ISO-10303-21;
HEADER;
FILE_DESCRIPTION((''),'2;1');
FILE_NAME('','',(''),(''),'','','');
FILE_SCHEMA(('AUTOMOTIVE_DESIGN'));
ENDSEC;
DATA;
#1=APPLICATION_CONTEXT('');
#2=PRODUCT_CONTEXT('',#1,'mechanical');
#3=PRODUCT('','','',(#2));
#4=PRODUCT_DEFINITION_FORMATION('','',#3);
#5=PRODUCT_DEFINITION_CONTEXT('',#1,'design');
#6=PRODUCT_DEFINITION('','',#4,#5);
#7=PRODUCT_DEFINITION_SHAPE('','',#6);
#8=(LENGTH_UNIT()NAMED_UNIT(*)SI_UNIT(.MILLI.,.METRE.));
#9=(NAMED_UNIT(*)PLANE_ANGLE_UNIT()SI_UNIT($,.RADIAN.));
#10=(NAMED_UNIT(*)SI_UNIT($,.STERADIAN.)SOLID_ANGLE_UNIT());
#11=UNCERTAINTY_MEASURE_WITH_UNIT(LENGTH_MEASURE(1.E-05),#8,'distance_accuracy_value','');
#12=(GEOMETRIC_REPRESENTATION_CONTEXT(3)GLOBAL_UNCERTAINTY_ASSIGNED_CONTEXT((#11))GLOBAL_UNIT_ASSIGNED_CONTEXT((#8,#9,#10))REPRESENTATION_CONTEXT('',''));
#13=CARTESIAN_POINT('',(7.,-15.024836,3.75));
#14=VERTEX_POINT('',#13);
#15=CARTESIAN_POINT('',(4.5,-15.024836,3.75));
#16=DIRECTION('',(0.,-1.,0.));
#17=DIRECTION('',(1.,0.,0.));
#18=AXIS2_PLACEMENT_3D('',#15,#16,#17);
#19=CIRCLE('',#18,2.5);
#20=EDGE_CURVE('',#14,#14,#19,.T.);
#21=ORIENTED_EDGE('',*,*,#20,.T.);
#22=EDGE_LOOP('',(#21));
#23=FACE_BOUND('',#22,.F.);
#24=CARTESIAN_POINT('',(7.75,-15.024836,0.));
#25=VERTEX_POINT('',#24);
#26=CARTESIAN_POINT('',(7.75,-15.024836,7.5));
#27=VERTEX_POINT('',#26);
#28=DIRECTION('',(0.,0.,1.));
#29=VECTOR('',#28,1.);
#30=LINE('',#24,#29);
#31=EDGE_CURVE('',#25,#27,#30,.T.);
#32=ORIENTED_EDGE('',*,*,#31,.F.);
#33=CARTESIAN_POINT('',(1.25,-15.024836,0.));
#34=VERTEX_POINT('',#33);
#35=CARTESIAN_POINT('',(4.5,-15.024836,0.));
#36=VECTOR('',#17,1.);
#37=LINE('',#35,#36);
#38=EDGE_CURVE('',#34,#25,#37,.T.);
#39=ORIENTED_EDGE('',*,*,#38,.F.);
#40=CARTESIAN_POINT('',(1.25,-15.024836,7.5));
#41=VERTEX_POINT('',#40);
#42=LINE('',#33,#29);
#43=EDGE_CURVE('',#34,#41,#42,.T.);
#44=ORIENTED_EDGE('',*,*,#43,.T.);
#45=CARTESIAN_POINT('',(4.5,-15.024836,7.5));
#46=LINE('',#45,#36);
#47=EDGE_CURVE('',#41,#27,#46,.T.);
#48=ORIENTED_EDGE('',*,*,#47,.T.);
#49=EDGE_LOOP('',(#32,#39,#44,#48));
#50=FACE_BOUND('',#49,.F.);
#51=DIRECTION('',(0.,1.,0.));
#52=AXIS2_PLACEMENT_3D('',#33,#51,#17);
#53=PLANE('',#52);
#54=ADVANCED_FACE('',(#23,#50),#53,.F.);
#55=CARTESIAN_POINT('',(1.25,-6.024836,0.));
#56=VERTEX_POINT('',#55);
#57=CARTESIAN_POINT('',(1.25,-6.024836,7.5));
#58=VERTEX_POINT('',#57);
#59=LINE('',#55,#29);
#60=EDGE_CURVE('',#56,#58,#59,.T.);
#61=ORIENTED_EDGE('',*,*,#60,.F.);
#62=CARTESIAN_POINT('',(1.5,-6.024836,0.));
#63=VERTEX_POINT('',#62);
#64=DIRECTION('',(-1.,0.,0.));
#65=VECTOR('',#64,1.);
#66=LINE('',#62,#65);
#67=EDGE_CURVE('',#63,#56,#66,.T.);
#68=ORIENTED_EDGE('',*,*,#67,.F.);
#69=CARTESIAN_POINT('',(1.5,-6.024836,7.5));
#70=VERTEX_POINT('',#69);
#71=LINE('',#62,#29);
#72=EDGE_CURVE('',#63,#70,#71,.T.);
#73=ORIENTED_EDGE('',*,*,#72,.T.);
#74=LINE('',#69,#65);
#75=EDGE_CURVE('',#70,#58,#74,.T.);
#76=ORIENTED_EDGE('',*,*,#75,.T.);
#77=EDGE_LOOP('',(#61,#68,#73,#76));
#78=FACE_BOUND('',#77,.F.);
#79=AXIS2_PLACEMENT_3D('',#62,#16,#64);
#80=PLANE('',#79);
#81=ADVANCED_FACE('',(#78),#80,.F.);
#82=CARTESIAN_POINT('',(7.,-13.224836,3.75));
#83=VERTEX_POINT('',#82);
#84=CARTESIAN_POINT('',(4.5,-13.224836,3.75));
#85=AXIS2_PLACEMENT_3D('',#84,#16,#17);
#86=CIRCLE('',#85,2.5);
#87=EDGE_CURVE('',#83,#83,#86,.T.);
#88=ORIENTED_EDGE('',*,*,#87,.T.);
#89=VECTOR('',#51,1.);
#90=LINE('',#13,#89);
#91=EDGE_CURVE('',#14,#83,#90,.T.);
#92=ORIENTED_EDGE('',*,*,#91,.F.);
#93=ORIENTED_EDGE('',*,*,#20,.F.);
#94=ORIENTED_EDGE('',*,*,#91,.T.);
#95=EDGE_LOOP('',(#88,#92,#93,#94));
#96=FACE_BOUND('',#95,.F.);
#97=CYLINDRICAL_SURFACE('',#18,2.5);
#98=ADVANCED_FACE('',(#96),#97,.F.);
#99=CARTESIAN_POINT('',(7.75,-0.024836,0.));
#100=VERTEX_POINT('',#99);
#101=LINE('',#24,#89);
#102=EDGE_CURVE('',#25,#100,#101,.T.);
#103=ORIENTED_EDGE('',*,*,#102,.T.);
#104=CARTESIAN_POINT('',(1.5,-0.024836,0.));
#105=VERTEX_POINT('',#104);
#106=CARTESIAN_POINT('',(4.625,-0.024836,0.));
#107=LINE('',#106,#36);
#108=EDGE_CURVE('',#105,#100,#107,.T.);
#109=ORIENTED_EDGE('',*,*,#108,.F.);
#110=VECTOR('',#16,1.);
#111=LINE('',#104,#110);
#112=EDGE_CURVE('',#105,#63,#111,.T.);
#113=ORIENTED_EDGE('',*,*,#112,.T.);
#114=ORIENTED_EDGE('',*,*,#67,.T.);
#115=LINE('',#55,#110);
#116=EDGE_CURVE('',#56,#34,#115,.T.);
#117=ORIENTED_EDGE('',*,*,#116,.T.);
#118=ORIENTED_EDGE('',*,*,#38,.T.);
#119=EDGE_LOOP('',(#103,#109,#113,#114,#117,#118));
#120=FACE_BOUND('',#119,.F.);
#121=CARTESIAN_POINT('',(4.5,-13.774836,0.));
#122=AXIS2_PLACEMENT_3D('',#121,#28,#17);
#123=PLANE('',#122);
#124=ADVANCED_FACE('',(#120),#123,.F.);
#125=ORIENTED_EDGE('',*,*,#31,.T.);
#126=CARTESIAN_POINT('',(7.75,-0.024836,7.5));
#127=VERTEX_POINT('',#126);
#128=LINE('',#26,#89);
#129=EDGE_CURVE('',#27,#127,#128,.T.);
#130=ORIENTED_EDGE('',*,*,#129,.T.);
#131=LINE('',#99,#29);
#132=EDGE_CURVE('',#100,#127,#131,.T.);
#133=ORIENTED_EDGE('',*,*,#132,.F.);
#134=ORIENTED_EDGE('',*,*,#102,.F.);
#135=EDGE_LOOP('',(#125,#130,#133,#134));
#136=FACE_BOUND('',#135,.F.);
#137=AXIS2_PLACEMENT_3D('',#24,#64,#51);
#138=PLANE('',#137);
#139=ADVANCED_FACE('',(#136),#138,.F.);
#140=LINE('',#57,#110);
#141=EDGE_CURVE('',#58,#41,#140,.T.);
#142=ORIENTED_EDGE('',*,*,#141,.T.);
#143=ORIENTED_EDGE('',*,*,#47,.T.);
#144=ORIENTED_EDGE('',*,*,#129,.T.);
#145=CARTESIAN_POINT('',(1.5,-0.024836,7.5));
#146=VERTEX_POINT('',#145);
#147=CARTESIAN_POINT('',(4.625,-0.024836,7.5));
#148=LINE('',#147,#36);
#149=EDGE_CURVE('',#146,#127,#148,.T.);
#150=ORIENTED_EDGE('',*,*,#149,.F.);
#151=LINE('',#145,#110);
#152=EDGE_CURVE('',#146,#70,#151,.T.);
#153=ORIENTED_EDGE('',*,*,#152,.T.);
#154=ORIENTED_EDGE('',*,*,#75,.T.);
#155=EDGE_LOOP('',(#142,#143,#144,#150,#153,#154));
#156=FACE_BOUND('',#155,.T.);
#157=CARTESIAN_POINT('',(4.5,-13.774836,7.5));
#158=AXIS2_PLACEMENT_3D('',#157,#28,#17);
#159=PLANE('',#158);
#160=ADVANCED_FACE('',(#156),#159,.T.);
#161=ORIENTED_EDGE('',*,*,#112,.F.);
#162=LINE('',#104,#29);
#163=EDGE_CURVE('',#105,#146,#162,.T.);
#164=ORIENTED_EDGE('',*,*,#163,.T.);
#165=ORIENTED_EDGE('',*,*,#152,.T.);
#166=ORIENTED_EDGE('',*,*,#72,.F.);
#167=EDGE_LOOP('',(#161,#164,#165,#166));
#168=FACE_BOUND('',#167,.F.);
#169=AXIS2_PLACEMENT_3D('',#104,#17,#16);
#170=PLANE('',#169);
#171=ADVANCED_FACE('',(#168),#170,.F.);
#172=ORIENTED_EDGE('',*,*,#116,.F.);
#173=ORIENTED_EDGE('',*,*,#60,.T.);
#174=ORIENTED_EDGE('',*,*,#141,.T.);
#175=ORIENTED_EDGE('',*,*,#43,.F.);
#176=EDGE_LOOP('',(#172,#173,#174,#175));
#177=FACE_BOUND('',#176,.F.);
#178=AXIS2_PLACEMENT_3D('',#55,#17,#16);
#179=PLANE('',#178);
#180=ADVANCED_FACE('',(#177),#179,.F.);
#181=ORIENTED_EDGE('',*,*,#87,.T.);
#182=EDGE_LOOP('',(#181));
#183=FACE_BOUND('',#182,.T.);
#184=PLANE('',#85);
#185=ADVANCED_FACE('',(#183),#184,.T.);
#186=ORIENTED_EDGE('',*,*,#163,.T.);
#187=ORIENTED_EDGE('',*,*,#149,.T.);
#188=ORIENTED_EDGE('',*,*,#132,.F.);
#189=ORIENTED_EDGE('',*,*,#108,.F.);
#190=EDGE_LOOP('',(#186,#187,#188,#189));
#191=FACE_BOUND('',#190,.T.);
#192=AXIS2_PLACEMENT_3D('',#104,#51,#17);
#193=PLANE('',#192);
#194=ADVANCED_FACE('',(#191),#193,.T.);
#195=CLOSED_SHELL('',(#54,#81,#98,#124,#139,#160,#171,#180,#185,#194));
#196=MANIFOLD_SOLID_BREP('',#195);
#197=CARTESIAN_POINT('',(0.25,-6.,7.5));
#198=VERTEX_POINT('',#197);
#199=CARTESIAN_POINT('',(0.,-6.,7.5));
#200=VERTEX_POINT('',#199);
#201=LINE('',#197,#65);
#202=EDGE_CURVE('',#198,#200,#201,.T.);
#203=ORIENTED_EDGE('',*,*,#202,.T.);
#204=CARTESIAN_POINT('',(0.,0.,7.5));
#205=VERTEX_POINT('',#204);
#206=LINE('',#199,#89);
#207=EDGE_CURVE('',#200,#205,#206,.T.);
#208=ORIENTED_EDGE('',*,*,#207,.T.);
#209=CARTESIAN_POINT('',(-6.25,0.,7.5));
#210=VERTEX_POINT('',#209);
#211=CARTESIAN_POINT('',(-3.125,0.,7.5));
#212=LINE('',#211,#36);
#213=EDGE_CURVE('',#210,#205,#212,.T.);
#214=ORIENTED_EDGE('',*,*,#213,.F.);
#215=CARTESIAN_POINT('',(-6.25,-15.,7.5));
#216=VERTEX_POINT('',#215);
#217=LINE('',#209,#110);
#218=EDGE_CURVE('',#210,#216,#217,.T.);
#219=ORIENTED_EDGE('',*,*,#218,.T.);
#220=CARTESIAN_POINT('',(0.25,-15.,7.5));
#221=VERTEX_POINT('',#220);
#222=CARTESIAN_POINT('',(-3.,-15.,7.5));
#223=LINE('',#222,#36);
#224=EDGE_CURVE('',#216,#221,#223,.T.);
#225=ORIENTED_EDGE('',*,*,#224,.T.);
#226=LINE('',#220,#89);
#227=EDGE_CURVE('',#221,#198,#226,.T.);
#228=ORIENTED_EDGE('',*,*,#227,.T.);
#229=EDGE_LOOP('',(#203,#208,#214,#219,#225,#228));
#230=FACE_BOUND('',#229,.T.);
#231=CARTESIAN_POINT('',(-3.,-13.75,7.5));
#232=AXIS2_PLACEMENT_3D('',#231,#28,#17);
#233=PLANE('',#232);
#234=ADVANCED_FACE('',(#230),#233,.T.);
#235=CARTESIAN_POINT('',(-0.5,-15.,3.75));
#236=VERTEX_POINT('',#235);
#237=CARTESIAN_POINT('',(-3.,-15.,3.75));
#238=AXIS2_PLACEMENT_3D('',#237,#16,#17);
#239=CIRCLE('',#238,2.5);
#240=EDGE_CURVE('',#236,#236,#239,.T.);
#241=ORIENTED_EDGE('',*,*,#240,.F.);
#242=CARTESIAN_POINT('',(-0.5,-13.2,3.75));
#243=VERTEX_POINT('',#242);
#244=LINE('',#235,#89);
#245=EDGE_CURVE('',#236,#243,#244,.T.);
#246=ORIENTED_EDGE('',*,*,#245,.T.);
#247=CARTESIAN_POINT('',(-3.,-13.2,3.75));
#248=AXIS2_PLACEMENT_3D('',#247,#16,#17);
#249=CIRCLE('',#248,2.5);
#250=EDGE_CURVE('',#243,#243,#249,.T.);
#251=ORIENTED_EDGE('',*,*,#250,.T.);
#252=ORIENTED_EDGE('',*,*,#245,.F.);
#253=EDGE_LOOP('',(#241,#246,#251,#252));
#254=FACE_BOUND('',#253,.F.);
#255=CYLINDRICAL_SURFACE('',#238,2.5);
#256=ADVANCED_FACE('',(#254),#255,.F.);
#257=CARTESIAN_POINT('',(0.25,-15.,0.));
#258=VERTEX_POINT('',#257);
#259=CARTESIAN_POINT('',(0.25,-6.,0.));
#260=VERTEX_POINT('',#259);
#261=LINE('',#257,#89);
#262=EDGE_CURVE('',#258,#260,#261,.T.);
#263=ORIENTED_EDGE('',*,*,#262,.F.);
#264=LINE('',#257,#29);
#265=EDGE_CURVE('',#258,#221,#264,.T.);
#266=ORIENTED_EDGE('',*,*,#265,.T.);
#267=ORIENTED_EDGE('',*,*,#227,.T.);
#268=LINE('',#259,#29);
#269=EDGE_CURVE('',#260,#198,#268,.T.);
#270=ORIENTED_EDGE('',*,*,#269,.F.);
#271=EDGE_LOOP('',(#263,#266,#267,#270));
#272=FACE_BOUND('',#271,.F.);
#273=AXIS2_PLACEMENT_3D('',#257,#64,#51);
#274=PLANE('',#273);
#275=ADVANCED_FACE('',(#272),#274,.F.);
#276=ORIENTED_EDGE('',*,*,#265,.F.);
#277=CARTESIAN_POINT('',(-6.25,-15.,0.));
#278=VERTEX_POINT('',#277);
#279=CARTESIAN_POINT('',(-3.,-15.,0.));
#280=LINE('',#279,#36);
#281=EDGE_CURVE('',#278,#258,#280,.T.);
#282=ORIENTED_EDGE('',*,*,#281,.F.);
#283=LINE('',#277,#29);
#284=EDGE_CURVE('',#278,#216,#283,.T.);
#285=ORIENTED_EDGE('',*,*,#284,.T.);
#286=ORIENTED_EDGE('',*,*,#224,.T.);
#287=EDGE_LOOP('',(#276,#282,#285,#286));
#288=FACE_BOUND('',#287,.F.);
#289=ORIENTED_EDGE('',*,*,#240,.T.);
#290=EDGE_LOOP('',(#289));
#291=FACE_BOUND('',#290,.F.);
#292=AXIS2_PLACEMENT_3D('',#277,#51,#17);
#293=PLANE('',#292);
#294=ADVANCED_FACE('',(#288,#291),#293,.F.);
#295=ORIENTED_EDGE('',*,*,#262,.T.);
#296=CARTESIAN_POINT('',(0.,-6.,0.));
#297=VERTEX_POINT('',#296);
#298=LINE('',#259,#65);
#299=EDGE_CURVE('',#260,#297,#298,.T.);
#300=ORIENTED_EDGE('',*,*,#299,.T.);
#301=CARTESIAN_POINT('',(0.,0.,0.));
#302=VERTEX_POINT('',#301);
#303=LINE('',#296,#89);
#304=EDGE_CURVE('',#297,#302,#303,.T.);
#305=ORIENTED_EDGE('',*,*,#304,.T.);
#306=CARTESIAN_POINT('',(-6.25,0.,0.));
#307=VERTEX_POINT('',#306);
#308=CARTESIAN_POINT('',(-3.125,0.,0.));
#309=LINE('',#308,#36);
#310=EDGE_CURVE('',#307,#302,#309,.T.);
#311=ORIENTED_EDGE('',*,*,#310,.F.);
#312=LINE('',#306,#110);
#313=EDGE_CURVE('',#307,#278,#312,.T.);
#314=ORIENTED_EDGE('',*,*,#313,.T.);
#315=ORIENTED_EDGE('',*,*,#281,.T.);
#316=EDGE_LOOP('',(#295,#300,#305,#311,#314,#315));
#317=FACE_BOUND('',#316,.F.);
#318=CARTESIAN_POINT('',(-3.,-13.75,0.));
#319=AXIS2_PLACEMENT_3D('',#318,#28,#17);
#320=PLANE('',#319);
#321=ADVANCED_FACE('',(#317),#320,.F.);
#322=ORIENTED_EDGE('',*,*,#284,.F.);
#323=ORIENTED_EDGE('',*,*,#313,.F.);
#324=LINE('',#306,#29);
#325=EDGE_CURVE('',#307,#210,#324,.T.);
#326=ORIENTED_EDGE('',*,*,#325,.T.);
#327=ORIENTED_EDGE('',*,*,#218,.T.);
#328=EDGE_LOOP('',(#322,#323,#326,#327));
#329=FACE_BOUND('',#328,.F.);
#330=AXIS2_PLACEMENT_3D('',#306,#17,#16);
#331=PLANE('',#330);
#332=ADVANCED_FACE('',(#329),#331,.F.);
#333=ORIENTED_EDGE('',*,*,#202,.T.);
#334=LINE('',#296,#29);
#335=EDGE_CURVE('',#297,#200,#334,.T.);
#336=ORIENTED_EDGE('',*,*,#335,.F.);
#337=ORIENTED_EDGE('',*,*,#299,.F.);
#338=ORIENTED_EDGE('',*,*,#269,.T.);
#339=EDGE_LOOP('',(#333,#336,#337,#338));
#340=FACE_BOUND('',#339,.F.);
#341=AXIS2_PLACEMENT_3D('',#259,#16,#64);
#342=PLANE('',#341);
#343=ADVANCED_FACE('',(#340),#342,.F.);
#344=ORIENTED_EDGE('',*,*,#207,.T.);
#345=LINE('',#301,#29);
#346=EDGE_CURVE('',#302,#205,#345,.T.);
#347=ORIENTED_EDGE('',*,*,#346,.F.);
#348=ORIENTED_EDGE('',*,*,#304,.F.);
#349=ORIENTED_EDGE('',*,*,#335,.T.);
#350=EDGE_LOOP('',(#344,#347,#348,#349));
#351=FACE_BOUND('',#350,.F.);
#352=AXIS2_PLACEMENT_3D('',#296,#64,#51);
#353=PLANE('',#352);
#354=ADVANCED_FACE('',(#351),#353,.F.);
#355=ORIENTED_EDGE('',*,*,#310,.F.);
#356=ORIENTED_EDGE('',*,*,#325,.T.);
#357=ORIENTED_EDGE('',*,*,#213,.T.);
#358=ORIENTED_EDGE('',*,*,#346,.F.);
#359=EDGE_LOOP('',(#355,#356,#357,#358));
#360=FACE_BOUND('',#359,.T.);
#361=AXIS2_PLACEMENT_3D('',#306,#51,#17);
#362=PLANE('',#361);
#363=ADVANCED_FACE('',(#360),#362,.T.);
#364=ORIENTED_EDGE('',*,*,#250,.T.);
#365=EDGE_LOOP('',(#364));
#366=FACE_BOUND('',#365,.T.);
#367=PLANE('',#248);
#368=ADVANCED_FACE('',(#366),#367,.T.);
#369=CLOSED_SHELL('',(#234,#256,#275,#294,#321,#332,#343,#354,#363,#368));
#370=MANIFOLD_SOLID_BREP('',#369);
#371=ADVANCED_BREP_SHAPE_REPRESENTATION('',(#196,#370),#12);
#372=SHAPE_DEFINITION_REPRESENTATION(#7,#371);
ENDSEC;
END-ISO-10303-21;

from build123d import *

# Parameters (mm, degrees)
F0_W     = 6.5
F0_H     = 2.5
F0_W_2   = 6.25
F0_H_2   = 5
F1_DEPTH = 7.5
F2_R     = 2.5
F3_R     = 2.5
F4_DEPTH = 1.8


with BuildPart() as f1:
    # F0 (on Top) → F1 (new body)
    with BuildSketch(Plane.XY):
        with Locations((-3, -13.75)):
            Rectangle(F0_W, F0_H)
        with Locations((4.5, -13.774836)):
            Rectangle(F0_W, F0_H)
        Polygon((0, -6), (0, -5), (-6.25, -5), (-6.25, -12.5), (0.25, -12.5), (0.25, -6), align=None)
        Polygon((7.75, -5.024836), (1.5, -5.024836), (1.5, -6.024836), (1.25, -6.024836), (1.25, -12.524836), (7.75, -12.524836), align=None)
        with Locations((4.625, -2.524836)):
            Rectangle(F0_W_2, F0_H_2)
        with Locations((-3.125, -2.5)):
            Rectangle(F0_W_2, F0_H_2)
    extrude(amount=F1_DEPTH)

    # F2 (on face) + F3 (on face) → F4 (cut)
    with BuildSketch(Plane.XZ.offset(15)):
        with Locations((-3, 3.75)):
            Circle(F2_R)
    with BuildSketch(Plane.XZ.offset(15.024836)):
        with Locations((4.5, 3.75)):
            Circle(F3_R)
    extrude(amount=-F4_DEPTH, mode=Mode.SUBTRACT)


solid = f1.part
